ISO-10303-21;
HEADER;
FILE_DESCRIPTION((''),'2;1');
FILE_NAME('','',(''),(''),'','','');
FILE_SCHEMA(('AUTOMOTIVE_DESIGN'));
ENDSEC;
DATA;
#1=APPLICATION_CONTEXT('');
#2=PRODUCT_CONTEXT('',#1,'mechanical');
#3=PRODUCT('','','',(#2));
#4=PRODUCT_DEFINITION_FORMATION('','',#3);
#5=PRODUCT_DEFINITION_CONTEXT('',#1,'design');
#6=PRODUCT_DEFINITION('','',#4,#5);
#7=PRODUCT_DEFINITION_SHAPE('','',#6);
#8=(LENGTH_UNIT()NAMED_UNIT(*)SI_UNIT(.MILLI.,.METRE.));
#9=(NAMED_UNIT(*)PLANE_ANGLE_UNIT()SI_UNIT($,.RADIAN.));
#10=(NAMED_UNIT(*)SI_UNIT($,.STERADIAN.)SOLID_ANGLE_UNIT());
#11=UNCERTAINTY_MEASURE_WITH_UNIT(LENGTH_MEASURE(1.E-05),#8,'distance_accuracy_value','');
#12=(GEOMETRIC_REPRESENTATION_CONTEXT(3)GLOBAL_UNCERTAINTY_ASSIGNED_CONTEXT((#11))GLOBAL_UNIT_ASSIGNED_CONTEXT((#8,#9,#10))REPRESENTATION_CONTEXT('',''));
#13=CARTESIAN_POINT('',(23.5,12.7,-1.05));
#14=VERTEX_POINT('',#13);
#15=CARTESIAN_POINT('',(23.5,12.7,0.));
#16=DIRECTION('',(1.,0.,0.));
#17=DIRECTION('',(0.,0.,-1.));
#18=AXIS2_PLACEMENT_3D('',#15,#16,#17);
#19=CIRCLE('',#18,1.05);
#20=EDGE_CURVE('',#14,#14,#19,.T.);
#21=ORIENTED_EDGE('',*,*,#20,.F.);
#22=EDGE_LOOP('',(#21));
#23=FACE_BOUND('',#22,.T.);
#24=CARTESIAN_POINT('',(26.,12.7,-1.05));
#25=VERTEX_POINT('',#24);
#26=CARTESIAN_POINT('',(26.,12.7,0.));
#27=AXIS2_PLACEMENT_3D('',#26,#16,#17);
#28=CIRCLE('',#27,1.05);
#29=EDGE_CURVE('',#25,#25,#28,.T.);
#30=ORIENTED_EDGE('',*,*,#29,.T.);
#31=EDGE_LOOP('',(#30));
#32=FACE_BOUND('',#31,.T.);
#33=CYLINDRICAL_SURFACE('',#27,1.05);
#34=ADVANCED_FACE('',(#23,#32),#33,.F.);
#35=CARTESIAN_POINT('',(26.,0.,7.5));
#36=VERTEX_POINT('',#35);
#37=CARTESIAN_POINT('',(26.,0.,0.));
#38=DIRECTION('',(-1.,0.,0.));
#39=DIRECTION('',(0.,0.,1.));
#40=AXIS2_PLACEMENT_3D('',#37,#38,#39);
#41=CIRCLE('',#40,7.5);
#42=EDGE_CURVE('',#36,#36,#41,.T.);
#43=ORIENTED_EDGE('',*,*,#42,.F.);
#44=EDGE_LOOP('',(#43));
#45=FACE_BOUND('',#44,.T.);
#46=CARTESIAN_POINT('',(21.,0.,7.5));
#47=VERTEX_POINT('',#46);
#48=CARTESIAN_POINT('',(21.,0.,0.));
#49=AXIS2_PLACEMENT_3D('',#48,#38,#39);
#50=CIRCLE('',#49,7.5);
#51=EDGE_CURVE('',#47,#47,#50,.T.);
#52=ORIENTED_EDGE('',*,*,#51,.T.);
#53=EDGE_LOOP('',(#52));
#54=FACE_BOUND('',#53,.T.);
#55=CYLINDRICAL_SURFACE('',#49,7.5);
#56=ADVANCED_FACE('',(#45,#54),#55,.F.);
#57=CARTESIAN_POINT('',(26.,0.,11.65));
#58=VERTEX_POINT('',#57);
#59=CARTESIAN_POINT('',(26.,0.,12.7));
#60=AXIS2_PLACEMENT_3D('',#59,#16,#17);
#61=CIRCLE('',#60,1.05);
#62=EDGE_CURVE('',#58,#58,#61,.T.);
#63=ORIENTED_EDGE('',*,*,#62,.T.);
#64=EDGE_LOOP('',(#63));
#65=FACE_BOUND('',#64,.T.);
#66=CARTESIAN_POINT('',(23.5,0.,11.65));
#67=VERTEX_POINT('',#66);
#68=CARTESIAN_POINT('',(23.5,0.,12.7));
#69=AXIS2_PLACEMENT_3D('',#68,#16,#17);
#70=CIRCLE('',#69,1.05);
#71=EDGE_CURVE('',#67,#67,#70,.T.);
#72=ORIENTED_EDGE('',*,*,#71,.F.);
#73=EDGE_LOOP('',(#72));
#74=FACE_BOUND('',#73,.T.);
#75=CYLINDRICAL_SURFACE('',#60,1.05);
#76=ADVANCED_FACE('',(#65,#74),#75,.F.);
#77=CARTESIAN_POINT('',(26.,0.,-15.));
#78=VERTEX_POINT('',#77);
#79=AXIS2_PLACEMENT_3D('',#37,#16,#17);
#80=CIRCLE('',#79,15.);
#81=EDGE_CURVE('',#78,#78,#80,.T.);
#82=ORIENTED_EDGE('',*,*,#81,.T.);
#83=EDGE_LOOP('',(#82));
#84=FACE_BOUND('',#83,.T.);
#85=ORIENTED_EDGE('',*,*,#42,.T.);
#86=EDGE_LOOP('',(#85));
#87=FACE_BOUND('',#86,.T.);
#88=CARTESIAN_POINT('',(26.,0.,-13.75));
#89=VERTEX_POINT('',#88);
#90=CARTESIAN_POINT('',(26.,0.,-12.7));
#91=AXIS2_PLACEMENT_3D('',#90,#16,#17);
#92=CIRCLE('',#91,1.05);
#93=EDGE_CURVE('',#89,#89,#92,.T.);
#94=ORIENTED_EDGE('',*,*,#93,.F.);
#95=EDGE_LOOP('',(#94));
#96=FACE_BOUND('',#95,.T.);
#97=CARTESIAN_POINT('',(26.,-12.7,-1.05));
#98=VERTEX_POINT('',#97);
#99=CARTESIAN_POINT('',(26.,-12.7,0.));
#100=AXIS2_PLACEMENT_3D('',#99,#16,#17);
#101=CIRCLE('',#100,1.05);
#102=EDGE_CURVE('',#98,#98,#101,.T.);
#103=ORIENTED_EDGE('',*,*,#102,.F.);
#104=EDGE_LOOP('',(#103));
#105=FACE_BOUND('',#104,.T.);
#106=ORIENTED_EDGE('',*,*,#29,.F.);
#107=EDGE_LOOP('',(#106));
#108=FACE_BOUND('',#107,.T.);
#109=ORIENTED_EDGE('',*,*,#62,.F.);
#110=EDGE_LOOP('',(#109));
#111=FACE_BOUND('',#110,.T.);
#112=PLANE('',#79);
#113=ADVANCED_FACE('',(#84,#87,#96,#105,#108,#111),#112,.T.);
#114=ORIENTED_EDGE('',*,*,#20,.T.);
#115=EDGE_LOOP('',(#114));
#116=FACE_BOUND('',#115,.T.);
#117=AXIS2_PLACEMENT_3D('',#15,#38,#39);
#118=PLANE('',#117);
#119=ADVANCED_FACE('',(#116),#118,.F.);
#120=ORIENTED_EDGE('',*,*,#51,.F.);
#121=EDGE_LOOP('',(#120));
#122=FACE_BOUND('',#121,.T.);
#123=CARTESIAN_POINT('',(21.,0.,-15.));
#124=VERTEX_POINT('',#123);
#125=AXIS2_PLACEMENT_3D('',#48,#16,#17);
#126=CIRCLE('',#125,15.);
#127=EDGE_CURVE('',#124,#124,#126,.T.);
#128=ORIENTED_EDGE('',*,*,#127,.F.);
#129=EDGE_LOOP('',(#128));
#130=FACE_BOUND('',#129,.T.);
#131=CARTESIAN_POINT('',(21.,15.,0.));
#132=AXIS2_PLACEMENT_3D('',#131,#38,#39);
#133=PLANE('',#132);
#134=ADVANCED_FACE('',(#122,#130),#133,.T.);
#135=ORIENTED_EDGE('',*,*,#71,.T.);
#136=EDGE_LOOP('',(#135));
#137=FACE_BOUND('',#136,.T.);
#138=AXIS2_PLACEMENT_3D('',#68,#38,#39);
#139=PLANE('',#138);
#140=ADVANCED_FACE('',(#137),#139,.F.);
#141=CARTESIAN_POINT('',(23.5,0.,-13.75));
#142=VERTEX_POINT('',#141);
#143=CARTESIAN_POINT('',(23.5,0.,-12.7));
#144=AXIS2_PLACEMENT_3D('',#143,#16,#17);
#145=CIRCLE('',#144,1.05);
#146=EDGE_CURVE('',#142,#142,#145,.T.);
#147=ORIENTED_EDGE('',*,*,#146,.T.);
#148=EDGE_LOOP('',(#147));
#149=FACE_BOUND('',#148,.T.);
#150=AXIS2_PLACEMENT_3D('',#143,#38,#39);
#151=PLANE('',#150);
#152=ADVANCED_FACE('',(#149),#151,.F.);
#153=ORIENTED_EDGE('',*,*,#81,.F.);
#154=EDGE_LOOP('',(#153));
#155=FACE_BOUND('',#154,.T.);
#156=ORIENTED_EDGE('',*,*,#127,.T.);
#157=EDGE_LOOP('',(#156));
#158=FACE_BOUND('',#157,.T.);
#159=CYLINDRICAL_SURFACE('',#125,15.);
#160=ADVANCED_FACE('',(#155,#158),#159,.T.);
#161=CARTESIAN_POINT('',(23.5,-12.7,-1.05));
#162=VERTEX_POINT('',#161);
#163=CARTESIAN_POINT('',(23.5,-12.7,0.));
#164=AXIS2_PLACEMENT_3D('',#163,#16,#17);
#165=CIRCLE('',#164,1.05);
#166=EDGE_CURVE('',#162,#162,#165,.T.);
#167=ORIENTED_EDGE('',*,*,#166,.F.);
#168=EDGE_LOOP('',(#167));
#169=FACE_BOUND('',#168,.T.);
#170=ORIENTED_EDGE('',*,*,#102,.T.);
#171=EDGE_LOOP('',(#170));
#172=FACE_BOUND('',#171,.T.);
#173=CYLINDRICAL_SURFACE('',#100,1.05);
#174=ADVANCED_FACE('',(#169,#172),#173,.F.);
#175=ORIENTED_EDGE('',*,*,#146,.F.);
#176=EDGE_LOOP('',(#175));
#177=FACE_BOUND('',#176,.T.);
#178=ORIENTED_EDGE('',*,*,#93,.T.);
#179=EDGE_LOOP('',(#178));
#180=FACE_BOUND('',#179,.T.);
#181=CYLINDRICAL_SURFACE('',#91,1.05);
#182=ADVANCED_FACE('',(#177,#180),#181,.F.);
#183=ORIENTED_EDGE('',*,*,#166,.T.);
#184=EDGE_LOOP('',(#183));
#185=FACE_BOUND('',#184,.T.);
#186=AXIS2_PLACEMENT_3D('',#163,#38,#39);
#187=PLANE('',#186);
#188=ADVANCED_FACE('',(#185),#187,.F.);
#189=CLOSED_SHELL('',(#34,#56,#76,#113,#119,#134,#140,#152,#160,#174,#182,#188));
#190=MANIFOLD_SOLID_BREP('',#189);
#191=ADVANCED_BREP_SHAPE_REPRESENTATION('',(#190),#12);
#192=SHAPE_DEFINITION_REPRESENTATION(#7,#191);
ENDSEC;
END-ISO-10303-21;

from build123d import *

# Parameters (mm, degrees)
SKETCH1_W                      = 5
SKETCH1_H                      = 15
F_15_0_15_DIAMETER_HOLE1_D     = 15
F_2_1_2_1_DIAMETER_HOLE1_D     = 2.1
F_2_1_2_1_DIAMETER_HOLE1_DEPTH = 2.5


with BuildPart() as part:
    # Sketch1 → Revolve1 (revolve)
    with BuildSketch(Plane.XY, mode=Mode.PRIVATE) as revolve1_sk:
        with Locations((23.5, 7.5)):
            Rectangle(SKETCH1_W, SKETCH1_H)
    revolve(revolve1_sk.sketch.rotate(Axis((21, 0, 0), (1, 0, 0)), 270), axis=Axis((21, 0, 0), (1, 0, 0)))

    # Ø15.0 (15) Diameter Hole1 (through all)
    with Locations(Plane.ZY.offset(-21)):
        with Locations((0, 0)):
            Hole(F_15_0_15_DIAMETER_HOLE1_D / 2)

    # Ø2.1 (2.1) Diameter Hole1
    with Locations(Plane(origin=(26, 0, 0), x_dir=(0, 0, -1), z_dir=(1, 0, 0))):
        with Locations((-12.7, 0), (12.7, 0), (0, -12.7), (0, 12.7)):
            Hole(F_2_1_2_1_DIAMETER_HOLE1_D / 2, depth=F_2_1_2_1_DIAMETER_HOLE1_DEPTH)


solid = part.part
